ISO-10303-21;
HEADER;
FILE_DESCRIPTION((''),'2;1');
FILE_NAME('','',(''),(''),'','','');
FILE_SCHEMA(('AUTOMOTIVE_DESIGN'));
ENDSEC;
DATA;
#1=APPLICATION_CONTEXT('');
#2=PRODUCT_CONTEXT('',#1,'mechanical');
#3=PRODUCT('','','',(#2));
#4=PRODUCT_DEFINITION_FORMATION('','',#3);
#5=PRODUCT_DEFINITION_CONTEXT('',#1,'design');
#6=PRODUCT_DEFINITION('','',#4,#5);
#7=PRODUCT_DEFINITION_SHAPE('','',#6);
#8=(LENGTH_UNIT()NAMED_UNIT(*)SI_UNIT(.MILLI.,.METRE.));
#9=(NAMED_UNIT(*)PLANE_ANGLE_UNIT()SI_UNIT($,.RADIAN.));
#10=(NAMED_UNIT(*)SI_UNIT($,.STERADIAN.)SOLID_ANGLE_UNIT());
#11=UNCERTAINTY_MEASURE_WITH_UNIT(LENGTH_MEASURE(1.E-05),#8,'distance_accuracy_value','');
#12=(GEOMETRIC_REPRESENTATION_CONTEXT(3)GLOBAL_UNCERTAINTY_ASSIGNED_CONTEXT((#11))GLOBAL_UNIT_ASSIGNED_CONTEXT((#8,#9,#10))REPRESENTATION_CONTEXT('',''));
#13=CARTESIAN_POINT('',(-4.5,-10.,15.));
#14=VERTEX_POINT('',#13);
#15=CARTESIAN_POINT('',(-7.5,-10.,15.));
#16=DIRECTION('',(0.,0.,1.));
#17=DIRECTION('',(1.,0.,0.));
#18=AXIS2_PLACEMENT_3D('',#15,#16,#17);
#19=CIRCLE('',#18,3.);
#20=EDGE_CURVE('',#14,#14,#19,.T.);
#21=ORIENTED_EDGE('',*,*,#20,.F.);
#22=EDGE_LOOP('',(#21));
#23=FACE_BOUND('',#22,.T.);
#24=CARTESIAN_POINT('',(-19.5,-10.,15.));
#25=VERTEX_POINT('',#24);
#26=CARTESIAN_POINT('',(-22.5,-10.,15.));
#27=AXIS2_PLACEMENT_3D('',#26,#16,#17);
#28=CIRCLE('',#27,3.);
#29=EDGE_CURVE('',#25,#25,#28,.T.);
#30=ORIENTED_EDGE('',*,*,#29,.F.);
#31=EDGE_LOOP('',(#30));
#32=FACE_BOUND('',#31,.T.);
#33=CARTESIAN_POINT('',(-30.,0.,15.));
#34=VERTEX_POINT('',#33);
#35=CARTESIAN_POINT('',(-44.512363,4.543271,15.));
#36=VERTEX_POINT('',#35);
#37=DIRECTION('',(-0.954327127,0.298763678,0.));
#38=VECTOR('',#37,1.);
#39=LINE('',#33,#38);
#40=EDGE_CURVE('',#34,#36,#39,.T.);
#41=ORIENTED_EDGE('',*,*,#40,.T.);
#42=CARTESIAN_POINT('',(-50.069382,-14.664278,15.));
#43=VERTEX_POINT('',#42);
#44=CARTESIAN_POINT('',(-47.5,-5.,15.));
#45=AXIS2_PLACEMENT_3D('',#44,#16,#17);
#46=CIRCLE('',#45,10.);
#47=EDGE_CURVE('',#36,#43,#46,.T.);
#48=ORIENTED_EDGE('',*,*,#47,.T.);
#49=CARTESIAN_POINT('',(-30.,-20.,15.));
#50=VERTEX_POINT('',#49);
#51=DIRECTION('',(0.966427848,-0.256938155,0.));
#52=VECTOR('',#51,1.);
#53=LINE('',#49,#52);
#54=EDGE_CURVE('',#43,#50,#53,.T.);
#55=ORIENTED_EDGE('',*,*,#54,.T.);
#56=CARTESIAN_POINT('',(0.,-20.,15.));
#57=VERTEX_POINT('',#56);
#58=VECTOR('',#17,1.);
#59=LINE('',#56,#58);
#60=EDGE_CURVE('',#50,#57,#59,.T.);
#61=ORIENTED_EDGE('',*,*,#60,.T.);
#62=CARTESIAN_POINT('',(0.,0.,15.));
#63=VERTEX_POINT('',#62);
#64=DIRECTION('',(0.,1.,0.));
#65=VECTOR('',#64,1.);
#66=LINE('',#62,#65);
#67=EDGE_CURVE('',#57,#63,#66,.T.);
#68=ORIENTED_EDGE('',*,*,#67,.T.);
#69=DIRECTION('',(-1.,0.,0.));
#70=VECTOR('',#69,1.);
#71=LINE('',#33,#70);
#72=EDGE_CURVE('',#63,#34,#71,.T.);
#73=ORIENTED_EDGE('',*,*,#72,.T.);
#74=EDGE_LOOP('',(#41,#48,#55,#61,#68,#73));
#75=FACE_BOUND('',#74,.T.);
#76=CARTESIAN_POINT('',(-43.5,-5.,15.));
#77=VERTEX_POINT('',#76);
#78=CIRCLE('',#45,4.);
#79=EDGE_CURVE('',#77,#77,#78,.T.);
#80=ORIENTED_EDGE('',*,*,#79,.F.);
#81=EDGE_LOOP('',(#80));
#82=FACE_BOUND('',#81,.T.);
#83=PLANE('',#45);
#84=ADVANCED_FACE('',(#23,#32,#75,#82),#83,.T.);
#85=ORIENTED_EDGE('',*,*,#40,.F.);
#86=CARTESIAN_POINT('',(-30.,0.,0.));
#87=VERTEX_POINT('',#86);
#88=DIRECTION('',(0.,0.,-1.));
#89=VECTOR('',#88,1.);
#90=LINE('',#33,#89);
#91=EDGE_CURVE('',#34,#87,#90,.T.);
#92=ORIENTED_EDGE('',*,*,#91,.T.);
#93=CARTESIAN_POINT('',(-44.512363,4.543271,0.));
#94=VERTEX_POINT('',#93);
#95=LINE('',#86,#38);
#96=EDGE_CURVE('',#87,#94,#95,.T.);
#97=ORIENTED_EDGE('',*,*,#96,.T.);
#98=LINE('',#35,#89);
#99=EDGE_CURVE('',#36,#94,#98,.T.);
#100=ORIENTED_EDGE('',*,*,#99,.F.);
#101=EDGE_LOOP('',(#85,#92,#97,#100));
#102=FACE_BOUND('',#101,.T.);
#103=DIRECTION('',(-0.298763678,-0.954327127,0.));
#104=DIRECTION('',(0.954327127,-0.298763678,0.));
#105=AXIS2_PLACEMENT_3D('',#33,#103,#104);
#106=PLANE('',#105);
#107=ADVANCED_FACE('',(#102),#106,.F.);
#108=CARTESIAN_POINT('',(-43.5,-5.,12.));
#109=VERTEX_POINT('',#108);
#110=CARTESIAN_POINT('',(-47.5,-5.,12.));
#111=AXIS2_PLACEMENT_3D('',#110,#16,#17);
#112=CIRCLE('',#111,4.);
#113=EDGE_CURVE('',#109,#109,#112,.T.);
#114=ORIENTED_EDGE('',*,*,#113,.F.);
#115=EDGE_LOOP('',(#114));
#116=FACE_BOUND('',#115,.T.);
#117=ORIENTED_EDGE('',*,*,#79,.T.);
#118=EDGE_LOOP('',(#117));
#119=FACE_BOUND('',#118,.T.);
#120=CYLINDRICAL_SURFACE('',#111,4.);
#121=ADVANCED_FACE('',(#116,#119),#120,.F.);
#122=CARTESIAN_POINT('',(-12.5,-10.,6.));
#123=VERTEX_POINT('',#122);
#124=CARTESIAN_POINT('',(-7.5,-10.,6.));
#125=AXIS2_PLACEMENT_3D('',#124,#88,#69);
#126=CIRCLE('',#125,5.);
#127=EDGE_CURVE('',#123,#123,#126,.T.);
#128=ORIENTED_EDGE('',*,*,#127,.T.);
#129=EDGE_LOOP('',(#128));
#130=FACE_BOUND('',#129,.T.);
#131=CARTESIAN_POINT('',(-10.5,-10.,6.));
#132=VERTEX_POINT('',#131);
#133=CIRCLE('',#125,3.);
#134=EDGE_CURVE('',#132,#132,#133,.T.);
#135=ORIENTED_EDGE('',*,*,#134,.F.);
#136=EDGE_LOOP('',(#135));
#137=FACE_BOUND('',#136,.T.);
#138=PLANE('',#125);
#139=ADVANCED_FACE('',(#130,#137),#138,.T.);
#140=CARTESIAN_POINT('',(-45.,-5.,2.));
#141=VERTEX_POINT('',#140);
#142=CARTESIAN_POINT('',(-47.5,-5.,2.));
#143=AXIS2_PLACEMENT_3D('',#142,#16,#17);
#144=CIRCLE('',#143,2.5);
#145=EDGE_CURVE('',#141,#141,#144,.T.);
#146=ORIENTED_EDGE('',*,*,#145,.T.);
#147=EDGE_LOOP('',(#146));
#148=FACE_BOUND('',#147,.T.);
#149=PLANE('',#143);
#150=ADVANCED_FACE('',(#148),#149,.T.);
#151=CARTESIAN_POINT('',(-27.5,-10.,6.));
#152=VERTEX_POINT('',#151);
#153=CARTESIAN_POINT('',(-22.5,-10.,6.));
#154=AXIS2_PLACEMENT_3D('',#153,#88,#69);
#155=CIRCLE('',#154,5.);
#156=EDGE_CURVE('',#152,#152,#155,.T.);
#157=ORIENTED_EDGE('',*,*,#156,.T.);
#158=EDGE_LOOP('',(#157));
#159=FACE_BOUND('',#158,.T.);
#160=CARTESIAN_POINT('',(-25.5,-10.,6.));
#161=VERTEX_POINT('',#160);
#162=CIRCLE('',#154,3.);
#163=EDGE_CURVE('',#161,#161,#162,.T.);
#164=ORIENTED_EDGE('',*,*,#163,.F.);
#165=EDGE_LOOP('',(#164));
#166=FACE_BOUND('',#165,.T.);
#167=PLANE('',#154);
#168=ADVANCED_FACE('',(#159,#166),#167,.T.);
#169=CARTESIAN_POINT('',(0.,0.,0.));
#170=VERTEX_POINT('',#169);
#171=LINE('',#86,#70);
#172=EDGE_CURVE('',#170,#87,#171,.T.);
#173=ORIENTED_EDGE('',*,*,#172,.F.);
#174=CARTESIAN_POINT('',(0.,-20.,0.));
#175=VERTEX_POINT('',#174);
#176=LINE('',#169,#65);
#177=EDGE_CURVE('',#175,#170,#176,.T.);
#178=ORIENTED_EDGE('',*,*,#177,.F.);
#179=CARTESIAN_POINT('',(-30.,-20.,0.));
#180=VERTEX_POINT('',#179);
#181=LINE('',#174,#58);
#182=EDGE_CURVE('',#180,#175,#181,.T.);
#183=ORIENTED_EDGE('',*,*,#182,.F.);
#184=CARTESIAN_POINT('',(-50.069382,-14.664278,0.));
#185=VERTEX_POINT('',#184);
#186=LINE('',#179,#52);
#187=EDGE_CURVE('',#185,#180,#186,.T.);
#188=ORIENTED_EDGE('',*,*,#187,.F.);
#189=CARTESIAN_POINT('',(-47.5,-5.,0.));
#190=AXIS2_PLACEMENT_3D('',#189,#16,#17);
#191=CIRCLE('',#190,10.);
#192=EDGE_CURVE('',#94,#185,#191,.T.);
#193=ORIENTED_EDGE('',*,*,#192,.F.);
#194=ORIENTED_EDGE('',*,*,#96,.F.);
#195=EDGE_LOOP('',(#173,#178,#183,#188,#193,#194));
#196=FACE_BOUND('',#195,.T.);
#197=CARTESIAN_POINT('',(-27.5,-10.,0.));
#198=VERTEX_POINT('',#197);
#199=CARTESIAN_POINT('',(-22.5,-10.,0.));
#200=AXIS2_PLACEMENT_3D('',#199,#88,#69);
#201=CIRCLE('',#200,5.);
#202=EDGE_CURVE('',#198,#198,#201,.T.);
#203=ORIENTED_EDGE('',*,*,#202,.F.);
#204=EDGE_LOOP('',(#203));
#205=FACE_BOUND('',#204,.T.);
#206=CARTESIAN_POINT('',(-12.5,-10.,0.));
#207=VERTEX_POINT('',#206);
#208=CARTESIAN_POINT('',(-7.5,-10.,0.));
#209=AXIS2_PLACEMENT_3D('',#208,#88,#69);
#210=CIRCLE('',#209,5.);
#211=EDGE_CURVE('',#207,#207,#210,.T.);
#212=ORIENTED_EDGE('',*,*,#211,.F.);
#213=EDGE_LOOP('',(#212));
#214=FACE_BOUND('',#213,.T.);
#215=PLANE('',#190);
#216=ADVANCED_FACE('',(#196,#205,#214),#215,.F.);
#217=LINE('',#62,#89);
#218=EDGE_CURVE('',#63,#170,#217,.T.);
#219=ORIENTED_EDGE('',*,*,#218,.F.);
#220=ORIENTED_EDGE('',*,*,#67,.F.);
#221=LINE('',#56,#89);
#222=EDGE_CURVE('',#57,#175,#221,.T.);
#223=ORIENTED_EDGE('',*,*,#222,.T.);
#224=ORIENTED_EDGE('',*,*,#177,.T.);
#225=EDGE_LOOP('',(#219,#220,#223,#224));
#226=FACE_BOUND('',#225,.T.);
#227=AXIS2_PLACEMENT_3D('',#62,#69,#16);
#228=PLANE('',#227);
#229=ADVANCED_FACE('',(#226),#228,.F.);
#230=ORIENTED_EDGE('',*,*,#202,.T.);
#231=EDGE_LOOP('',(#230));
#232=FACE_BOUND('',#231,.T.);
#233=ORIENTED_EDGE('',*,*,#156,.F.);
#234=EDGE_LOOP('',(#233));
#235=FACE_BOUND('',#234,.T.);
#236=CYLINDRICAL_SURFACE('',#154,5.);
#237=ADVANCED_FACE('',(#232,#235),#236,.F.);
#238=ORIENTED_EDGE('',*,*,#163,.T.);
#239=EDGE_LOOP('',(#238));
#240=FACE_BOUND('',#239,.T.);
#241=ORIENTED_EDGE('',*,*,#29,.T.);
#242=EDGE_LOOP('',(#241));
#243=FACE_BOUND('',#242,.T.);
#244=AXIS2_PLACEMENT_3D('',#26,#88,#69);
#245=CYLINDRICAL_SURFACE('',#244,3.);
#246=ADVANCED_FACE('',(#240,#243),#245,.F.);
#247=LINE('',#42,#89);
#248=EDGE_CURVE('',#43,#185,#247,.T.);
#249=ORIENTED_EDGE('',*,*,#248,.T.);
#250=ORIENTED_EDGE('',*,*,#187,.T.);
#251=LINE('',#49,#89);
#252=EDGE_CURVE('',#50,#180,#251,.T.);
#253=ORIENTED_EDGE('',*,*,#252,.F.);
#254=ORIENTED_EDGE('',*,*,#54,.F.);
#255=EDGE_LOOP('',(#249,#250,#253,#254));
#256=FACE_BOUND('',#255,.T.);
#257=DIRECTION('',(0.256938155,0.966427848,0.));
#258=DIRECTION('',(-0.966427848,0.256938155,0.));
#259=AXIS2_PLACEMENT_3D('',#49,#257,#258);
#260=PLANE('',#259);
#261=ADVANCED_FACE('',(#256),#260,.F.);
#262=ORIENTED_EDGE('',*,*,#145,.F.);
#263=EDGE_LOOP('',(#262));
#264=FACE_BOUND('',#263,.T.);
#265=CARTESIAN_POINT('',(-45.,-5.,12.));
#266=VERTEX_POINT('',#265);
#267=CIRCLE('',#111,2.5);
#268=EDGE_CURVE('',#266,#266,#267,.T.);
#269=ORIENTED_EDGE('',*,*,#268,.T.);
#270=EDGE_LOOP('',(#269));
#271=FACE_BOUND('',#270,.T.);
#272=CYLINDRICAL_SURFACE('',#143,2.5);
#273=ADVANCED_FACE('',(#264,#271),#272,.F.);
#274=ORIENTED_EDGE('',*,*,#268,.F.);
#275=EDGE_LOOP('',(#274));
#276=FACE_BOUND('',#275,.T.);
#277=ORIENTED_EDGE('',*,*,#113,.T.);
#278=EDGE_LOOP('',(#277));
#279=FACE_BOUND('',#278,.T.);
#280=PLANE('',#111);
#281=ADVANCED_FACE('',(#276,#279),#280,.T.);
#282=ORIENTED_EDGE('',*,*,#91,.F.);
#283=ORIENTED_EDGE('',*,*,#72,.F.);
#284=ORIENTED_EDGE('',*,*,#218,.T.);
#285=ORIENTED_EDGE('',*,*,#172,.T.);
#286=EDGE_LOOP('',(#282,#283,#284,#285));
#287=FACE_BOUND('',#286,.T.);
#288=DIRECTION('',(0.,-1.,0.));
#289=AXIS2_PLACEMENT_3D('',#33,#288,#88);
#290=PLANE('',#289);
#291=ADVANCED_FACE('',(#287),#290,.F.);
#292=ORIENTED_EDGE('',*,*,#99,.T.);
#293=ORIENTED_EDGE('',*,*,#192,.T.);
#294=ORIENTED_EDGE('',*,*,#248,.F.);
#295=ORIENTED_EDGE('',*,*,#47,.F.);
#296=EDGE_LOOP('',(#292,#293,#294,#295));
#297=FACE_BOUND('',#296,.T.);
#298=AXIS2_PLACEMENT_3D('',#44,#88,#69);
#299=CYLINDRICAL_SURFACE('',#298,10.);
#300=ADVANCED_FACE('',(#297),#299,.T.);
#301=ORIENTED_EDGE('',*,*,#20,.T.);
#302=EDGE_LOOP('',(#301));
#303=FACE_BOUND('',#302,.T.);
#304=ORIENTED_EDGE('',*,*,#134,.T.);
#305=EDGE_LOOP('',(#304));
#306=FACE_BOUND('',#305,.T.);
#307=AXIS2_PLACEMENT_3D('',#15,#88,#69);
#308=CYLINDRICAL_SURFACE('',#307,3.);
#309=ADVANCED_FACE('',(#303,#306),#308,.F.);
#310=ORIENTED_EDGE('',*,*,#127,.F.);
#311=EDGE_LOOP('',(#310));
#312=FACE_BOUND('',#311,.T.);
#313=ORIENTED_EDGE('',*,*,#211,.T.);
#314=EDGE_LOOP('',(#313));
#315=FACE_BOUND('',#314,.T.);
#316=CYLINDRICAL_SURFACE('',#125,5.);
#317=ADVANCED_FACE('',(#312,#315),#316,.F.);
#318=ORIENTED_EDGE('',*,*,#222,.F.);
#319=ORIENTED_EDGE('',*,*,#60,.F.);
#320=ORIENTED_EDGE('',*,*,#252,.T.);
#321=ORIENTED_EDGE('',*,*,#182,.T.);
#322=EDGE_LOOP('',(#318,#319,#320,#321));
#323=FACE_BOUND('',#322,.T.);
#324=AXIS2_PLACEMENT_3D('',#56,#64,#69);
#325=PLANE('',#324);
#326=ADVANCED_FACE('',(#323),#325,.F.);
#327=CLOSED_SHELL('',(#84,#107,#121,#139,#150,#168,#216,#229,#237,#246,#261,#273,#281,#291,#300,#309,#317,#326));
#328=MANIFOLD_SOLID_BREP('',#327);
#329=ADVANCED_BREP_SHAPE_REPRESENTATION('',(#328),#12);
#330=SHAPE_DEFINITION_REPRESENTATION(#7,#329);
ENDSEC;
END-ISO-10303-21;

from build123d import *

# Parameters (mm, degrees)
SKETCH_1_R          = 3
EXTRUDE_1_DEPTH     = 15
SKETCH_4_R          = 5
CUT_EXTRUDE_3_DEPTH = 6
SKETCH_8_R          = 4
CUT_EXTRUDE_4_DEPTH = 3
SKETCH_10_R         = 2.5
CUT_EXTRUDE_5_DEPTH = 10


with BuildPart() as part:
    # 草图1 → 凸台-拉伸1 (new body)
    with BuildSketch(Plane.XY):
        with BuildLine():
            Line((-30, 0), (0, 0))
            Line((0, 0), (0, -20))
            Line((0, -20), (-30, -20))
            Line((-30, -20), (-50.06938155, -14.664278475))
            ThreePointArc((-50.06938155, -14.664278475), (-57.106051537, -2.220832162), (-44.512363219, 4.543271266))
            Line((-44.512363219, 4.543271266), (-30, 0))
        make_face()
        with Locations((-22.5, -10)):
            Circle(SKETCH_1_R, mode=Mode.SUBTRACT)
        with Locations((-7.5, -10)):
            Circle(SKETCH_1_R, mode=Mode.SUBTRACT)
    extrude(amount=EXTRUDE_1_DEPTH)

    # 草图4 → 切除-拉伸3 (cut)
    with BuildSketch(Plane(origin=(0, 0, 0), x_dir=(-1, 0, 0), z_dir=(0, 0, -1))):
        with Locations((7.5, -10)):
            Circle(SKETCH_4_R)
        with Locations((22.5, -10)):
            Circle(SKETCH_4_R)
    extrude(amount=-CUT_EXTRUDE_3_DEPTH, mode=Mode.SUBTRACT)

    # 草图8 → 切除-拉伸4 (cut)
    with BuildSketch(Plane.XY.offset(15)):
        with Locations((-47.5, -5)):
            Circle(SKETCH_8_R)
    extrude(amount=-CUT_EXTRUDE_4_DEPTH, mode=Mode.SUBTRACT)

    # 草图10 → 切除-拉伸5 (cut)
    with BuildSketch(Plane.XY.offset(12)):
        with Locations((-47.5, -5)):
            Circle(SKETCH_10_R)
    extrude(amount=-CUT_EXTRUDE_5_DEPTH, mode=Mode.SUBTRACT)


solid = part.part
